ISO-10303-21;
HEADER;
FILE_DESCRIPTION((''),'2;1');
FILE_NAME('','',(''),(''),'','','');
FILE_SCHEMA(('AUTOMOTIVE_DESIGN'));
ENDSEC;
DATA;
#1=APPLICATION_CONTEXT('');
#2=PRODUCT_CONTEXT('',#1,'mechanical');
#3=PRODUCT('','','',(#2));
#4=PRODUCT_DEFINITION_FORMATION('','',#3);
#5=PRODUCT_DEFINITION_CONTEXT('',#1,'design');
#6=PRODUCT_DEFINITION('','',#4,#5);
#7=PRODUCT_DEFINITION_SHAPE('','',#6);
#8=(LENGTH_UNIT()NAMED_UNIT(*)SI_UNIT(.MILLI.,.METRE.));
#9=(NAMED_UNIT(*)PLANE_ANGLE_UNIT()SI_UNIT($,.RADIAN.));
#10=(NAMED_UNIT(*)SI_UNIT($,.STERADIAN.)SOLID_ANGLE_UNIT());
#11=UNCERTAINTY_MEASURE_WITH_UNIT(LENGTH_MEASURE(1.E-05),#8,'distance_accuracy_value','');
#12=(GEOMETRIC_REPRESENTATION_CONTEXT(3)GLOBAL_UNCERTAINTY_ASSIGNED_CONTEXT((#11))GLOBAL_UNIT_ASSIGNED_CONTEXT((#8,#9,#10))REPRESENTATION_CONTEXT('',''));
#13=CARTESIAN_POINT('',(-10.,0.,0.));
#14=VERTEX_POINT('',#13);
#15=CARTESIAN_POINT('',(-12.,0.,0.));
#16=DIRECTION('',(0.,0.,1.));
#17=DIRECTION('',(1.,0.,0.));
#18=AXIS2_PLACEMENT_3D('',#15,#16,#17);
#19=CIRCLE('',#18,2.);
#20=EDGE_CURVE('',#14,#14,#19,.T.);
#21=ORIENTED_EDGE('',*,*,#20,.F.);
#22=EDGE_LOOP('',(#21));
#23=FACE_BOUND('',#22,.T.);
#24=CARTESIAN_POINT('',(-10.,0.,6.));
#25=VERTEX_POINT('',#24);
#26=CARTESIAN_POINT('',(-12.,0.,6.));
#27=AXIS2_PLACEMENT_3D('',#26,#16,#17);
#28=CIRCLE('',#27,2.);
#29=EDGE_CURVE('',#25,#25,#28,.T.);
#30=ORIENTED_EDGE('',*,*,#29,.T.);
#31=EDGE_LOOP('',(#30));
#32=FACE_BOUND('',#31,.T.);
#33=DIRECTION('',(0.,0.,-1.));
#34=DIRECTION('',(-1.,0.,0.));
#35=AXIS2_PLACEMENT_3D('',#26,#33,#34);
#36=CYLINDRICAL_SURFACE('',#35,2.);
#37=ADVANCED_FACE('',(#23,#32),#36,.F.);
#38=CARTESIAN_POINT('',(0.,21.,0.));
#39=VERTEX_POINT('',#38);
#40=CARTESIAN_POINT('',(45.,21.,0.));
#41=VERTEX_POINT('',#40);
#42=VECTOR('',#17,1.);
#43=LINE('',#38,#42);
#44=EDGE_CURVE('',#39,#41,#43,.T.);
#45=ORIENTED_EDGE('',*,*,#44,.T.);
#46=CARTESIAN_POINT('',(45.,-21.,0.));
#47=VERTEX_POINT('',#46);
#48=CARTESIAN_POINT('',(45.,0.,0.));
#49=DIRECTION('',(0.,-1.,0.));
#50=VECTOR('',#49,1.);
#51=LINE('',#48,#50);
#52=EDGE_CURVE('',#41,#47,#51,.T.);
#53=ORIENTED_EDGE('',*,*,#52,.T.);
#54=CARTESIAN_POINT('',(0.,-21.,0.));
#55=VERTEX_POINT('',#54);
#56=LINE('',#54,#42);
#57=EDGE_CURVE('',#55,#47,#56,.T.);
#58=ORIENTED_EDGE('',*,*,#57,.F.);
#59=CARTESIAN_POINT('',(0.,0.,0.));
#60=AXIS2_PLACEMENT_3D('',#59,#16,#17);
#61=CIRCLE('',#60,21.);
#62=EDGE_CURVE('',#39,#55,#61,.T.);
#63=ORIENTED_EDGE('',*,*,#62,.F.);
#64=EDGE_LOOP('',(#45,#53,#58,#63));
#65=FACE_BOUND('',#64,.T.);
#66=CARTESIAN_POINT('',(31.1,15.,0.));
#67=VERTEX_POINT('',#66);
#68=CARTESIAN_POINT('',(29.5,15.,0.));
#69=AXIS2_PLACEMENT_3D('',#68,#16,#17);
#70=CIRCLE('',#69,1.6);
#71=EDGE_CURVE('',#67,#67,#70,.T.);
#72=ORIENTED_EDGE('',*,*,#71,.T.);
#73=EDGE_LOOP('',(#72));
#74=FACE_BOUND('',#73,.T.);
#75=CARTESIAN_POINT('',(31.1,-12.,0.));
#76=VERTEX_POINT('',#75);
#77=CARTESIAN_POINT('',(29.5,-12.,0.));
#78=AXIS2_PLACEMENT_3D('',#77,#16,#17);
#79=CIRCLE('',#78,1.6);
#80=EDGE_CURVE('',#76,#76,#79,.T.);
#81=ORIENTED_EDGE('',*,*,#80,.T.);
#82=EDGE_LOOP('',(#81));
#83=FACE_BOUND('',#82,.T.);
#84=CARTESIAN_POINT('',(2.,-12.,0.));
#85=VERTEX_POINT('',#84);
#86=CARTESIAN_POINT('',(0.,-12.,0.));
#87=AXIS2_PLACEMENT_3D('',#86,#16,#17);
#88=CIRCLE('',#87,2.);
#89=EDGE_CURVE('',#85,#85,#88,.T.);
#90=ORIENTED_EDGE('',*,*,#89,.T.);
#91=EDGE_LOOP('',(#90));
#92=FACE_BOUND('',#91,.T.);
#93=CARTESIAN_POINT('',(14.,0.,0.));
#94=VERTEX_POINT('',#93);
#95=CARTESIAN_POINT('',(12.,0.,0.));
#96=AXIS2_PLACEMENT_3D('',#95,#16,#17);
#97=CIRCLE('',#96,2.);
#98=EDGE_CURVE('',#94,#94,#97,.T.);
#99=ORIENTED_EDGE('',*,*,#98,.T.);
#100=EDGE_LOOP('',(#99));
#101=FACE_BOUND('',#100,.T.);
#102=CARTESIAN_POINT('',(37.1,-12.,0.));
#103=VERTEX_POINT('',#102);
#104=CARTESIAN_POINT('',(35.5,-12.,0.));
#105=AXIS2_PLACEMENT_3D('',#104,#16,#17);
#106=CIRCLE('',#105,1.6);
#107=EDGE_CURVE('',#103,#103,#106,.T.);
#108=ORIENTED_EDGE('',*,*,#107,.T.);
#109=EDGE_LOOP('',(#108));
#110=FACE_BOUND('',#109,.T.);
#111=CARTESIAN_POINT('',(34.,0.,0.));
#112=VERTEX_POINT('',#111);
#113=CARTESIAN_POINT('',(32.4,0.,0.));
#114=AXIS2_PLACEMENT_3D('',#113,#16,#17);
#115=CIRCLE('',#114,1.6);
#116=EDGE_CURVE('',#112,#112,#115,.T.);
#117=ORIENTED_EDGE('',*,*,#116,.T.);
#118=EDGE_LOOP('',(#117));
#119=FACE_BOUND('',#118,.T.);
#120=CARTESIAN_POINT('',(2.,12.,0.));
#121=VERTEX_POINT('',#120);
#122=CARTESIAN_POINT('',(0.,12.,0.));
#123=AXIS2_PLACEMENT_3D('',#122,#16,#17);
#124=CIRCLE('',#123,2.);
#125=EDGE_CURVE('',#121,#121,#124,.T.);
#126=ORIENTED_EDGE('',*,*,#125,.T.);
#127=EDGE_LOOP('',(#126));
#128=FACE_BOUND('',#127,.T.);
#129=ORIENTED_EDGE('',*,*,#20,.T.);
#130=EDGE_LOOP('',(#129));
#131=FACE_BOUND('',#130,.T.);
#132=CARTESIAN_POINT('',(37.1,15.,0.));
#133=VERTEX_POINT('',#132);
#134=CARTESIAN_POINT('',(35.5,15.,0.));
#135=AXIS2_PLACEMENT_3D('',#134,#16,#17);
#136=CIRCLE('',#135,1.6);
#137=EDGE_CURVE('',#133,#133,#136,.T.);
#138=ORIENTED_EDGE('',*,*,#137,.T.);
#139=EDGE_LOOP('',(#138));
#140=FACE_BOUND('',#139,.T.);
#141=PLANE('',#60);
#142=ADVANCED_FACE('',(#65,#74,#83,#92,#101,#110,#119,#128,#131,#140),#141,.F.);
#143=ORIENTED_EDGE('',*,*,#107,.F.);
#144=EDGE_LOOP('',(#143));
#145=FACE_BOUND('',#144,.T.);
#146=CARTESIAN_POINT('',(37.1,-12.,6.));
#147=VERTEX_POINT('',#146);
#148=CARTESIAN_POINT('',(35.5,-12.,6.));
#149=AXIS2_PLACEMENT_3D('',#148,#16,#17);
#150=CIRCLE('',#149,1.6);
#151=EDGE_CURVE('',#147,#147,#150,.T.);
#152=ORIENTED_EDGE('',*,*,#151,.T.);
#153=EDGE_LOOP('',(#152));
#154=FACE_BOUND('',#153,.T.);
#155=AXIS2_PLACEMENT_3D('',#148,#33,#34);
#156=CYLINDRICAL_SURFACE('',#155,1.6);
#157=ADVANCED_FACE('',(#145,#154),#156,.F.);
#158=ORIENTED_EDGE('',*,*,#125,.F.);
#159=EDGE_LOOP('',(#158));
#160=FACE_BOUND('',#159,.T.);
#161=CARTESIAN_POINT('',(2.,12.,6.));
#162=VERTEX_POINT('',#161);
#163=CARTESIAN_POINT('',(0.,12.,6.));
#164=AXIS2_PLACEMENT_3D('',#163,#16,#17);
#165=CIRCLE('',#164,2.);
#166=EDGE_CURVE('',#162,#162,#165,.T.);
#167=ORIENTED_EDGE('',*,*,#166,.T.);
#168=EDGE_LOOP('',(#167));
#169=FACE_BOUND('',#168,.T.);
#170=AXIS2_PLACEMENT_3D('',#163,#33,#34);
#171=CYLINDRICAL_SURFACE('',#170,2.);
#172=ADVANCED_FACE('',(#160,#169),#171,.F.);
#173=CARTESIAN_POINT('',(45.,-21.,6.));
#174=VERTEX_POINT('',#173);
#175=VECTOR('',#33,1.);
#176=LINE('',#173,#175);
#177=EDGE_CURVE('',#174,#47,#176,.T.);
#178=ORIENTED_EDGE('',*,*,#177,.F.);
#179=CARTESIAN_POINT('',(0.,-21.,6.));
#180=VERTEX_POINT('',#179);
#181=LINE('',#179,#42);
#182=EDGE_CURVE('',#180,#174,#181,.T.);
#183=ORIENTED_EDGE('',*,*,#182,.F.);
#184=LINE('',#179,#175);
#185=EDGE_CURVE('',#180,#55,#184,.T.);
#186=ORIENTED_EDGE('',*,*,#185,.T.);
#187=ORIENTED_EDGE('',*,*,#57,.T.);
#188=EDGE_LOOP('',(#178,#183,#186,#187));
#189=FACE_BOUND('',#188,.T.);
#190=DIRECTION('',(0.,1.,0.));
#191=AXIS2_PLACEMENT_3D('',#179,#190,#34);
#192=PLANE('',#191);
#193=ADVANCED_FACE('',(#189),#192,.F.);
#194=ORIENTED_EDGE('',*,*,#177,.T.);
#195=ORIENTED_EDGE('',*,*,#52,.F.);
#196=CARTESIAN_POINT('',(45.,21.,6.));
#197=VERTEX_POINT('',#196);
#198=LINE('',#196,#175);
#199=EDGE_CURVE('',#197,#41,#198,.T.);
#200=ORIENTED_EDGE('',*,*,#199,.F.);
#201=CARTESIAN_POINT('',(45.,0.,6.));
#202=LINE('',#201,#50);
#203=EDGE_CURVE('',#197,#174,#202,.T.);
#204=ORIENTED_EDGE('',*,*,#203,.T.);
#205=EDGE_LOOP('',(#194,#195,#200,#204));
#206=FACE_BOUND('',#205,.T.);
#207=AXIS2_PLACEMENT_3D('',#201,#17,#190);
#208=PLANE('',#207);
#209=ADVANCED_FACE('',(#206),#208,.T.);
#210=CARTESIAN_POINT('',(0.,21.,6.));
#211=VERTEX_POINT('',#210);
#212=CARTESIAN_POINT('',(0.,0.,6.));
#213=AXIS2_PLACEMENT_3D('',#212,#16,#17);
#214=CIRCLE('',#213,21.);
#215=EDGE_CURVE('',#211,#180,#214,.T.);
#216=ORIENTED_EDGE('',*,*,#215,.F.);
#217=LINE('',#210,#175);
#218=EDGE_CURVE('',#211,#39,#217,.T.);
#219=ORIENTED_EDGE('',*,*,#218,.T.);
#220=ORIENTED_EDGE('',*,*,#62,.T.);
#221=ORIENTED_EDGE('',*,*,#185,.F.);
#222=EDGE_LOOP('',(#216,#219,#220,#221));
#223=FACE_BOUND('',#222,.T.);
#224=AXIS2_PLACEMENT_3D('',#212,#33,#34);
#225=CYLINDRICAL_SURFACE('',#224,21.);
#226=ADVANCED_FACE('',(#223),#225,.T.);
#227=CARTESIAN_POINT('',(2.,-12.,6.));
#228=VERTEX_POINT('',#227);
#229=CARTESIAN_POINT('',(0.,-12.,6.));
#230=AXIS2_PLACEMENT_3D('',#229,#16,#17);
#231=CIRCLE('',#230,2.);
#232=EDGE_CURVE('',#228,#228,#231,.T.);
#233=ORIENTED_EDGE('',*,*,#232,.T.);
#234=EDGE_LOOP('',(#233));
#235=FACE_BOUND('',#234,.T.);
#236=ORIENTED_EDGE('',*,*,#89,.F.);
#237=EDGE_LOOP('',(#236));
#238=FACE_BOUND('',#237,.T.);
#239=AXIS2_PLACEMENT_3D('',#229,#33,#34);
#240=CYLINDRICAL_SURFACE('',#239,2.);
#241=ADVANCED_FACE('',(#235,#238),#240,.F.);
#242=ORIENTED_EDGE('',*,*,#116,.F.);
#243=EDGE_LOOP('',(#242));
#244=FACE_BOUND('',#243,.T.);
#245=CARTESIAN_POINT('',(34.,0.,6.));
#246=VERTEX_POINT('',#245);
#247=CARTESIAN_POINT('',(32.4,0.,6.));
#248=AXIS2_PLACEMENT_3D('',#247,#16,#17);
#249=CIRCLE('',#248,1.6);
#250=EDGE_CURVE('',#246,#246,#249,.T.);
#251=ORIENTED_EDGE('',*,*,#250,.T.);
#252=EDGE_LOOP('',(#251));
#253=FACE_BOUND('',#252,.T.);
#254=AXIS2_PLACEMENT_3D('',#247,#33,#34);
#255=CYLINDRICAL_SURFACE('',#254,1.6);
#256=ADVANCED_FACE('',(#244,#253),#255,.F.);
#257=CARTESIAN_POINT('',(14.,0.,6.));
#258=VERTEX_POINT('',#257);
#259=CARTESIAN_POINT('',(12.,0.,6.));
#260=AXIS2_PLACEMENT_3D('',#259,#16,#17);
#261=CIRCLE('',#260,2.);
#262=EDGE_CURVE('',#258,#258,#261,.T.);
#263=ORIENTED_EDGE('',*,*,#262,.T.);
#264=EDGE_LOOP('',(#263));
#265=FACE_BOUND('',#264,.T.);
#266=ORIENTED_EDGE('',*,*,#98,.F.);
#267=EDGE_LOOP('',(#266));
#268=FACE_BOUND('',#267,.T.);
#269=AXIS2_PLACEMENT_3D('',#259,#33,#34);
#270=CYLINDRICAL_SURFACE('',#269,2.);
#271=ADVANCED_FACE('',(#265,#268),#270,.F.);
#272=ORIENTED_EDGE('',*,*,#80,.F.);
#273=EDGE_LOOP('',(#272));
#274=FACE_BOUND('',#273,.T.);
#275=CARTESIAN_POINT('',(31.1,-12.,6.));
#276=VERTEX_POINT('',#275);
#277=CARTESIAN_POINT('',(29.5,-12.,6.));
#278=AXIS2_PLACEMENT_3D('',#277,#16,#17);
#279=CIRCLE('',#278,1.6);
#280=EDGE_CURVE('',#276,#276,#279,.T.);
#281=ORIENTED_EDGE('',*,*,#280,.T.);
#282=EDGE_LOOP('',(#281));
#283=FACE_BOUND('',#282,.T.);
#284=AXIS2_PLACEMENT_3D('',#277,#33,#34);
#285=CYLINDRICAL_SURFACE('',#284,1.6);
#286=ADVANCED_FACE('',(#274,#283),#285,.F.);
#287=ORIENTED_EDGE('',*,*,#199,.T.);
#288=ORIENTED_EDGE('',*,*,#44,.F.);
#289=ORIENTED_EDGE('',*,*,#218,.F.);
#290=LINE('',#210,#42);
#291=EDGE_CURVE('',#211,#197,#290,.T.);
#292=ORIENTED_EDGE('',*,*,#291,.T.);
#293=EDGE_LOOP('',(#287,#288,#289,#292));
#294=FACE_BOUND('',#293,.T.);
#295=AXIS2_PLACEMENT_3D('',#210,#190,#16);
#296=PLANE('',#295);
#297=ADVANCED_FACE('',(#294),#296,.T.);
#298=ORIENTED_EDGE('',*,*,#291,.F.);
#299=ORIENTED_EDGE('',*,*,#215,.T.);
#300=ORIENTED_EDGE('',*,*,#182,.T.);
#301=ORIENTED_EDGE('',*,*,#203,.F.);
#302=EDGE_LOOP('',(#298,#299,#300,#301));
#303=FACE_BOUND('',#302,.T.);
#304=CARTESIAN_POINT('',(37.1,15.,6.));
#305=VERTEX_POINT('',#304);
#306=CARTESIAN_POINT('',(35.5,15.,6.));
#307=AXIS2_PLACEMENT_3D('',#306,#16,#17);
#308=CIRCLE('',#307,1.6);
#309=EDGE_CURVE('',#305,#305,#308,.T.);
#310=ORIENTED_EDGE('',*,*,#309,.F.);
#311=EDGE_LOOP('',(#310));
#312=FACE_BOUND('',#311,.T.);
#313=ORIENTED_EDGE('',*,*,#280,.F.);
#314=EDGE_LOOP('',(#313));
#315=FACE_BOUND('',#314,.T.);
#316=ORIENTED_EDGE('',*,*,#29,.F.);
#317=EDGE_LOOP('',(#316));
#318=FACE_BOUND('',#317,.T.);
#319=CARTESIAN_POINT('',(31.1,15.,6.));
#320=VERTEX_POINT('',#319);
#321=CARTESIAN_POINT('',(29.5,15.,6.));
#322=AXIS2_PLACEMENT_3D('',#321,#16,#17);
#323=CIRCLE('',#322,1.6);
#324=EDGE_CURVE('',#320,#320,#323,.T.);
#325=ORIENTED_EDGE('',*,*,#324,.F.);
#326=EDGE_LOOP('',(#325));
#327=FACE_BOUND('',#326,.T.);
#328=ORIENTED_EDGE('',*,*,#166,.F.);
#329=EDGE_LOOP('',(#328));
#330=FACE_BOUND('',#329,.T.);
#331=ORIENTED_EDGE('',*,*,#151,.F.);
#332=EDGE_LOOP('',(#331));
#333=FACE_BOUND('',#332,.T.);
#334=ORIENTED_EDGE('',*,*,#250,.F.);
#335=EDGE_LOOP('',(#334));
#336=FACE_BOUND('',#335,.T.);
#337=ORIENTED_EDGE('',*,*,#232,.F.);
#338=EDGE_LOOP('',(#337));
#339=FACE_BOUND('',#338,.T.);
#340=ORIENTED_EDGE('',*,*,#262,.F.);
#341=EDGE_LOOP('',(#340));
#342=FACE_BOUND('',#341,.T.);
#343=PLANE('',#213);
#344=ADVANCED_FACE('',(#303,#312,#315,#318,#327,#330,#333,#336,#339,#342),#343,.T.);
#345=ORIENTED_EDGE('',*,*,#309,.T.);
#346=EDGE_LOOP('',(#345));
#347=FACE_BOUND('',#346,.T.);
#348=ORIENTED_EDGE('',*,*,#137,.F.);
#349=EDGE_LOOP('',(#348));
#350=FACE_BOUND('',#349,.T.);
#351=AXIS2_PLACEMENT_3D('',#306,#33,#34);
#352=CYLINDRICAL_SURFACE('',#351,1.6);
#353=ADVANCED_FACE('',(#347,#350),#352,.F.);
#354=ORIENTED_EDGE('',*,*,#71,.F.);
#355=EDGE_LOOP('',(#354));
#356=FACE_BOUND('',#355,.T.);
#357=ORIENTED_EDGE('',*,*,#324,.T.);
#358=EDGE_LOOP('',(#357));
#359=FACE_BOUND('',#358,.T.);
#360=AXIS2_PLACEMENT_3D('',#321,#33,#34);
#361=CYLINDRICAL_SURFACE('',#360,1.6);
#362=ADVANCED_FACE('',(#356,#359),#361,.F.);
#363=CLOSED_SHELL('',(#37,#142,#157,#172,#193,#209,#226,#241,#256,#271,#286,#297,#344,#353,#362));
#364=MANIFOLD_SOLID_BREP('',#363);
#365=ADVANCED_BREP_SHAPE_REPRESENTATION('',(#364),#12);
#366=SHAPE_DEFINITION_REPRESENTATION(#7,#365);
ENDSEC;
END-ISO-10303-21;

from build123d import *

# Parameters (mm, degrees)
SKETCH_1_W      = 15
SKETCH_1_H      = 42
SKETCH_1_R      = 1.6
SKETCH_1_W_2    = 5
EXTRUDE_1_DEPTH = 6


with BuildPart() as part:
    # 草图1 → 凸台-拉伸1 (new body)
    # profile 1 of 7: a face of its own
    with BuildSketch(Plane.XY):
        with BuildLine():
            Line((0, 14), (0, 21))
            ThreePointArc((0, 21), (-21, 0), (0, -21))
            Line((0, -21), (0, -14))
            ThreePointArc((0, -14), (-1.471960144, -13.354006401), (-1.993043457, -11.833333333))
            ThreePointArc((-1.993043457, -11.833333333), (-8.485281374, -8.485281374), (-11.833333333, -1.993043457))
            ThreePointArc((-11.833333333, -1.993043457), (-14, 0), (-11.833333333, 1.993043457))
            ThreePointArc((-11.833333333, 1.993043457), (-8.485281374, 8.485281374), (-1.993043457, 11.833333333))
            ThreePointArc((-1.993043457, 11.833333333), (-1.471960144, 13.354006401), (0, 14))
        make_face()
    # profile 2 of 7: a face of its own
    with BuildSketch(Plane.XY):
        with BuildLine():
            ThreePointArc((0, 10), (-1.354006401, 10.528039856), (-1.993043457, 11.833333333))
            ThreePointArc((-1.993043457, 11.833333333), (-8.485281374, 8.485281374), (-11.833333333, 1.993043457))
            ThreePointArc((-11.833333333, 1.993043457), (-10.528039856, 1.354006401), (-10, 0))
            ThreePointArc((-10, 0), (-10.528039856, -1.354006401), (-11.833333333, -1.993043457))
            ThreePointArc((-11.833333333, -1.993043457), (-8.485281374, -8.485281374), (-1.993043457, -11.833333333))
            ThreePointArc((-1.993043457, -11.833333333), (-1.354006401, -10.528039856), (0, -10))
            Line((0, -10), (0, 10))
        make_face()
    # profile 3 of 7: a face of its own
    with BuildSketch(Plane.XY):
        with BuildLine():
            ThreePointArc((1.993043457, 11.833333333), (1.354006401, 10.528039856), (0, 10))
            Line((0, 10), (0, -10))
            ThreePointArc((0, -10), (1.354006401, -10.528039856), (1.993043457, -11.833333333))
            ThreePointArc((1.993043457, -11.833333333), (8.485281374, -8.485281374), (11.833333333, -1.993043457))
            ThreePointArc((11.833333333, -1.993043457), (10, 0), (11.833333333, 1.993043457))
            ThreePointArc((11.833333333, 1.993043457), (8.485281374, 8.485281374), (1.993043457, 11.833333333))
        make_face()
    # profile 4 of 7: a face of its own
    with BuildSketch(Plane.XY):
        with BuildLine():
            ThreePointArc((21, 0), (14.849242405, 14.849242405), (0, 21))
            Line((0, 21), (0, 14))
            ThreePointArc((0, 14), (1.414213562, 13.414213562), (2, 12))
            ThreePointArc((2, 12), (1.998260107, 11.916594108), (1.993043457, 11.833333333))
            ThreePointArc((1.993043457, 11.833333333), (8.485281374, 8.485281374), (11.833333333, 1.993043457))
            ThreePointArc((11.833333333, 1.993043457), (13.354006401, 1.471960144), (14, 0))
            ThreePointArc((14, 0), (13.354006401, -1.471960144), (11.833333333, -1.993043457))
            ThreePointArc((11.833333333, -1.993043457), (8.485281374, -8.485281374), (1.993043457, -11.833333333))
            ThreePointArc((1.993043457, -11.833333333), (1.998260107, -11.916594108), (2, -12))
            ThreePointArc((2, -12), (1.414213562, -13.414213562), (0, -14))
            Line((0, -14), (0, -21))
            ThreePointArc((0, -21), (14.849242405, -14.849242405), (21, 0))
        make_face()
    # profile 5 of 7: a face of its own
    with BuildSketch(Plane.XY):
        with BuildLine():
            Line((25, 21), (0, 21))
            ThreePointArc((0, 21), (14.849242405, 14.849242405), (21, 0))
            ThreePointArc((21, 0), (14.849242405, -14.849242405), (0, -21))
            Line((0, -21), (25, -21))
            Line((25, -21), (25, 21))
        make_face()
    # profile 6 of 7: a face of its own
    with BuildSketch(Plane.XY):
        with Locations((32.5, 0)):
            Rectangle(SKETCH_1_W, SKETCH_1_H)
        with Locations((32.4, 0)):
            Circle(SKETCH_1_R, mode=Mode.SUBTRACT)
        with Locations((29.5, -12)):
            Circle(SKETCH_1_R, mode=Mode.SUBTRACT)
        with Locations((35.5, -12)):
            Circle(SKETCH_1_R, mode=Mode.SUBTRACT)
        with Locations((35.5, 15)):
            Circle(SKETCH_1_R, mode=Mode.SUBTRACT)
        with Locations((29.5, 15)):
            Circle(SKETCH_1_R, mode=Mode.SUBTRACT)
    # profile 7 of 7: a face of its own
    with BuildSketch(Plane.XY):
        with Locations((42.5, 0)):
            Rectangle(SKETCH_1_W_2, SKETCH_1_H)
    extrude(amount=EXTRUDE_1_DEPTH)


solid = part.part
